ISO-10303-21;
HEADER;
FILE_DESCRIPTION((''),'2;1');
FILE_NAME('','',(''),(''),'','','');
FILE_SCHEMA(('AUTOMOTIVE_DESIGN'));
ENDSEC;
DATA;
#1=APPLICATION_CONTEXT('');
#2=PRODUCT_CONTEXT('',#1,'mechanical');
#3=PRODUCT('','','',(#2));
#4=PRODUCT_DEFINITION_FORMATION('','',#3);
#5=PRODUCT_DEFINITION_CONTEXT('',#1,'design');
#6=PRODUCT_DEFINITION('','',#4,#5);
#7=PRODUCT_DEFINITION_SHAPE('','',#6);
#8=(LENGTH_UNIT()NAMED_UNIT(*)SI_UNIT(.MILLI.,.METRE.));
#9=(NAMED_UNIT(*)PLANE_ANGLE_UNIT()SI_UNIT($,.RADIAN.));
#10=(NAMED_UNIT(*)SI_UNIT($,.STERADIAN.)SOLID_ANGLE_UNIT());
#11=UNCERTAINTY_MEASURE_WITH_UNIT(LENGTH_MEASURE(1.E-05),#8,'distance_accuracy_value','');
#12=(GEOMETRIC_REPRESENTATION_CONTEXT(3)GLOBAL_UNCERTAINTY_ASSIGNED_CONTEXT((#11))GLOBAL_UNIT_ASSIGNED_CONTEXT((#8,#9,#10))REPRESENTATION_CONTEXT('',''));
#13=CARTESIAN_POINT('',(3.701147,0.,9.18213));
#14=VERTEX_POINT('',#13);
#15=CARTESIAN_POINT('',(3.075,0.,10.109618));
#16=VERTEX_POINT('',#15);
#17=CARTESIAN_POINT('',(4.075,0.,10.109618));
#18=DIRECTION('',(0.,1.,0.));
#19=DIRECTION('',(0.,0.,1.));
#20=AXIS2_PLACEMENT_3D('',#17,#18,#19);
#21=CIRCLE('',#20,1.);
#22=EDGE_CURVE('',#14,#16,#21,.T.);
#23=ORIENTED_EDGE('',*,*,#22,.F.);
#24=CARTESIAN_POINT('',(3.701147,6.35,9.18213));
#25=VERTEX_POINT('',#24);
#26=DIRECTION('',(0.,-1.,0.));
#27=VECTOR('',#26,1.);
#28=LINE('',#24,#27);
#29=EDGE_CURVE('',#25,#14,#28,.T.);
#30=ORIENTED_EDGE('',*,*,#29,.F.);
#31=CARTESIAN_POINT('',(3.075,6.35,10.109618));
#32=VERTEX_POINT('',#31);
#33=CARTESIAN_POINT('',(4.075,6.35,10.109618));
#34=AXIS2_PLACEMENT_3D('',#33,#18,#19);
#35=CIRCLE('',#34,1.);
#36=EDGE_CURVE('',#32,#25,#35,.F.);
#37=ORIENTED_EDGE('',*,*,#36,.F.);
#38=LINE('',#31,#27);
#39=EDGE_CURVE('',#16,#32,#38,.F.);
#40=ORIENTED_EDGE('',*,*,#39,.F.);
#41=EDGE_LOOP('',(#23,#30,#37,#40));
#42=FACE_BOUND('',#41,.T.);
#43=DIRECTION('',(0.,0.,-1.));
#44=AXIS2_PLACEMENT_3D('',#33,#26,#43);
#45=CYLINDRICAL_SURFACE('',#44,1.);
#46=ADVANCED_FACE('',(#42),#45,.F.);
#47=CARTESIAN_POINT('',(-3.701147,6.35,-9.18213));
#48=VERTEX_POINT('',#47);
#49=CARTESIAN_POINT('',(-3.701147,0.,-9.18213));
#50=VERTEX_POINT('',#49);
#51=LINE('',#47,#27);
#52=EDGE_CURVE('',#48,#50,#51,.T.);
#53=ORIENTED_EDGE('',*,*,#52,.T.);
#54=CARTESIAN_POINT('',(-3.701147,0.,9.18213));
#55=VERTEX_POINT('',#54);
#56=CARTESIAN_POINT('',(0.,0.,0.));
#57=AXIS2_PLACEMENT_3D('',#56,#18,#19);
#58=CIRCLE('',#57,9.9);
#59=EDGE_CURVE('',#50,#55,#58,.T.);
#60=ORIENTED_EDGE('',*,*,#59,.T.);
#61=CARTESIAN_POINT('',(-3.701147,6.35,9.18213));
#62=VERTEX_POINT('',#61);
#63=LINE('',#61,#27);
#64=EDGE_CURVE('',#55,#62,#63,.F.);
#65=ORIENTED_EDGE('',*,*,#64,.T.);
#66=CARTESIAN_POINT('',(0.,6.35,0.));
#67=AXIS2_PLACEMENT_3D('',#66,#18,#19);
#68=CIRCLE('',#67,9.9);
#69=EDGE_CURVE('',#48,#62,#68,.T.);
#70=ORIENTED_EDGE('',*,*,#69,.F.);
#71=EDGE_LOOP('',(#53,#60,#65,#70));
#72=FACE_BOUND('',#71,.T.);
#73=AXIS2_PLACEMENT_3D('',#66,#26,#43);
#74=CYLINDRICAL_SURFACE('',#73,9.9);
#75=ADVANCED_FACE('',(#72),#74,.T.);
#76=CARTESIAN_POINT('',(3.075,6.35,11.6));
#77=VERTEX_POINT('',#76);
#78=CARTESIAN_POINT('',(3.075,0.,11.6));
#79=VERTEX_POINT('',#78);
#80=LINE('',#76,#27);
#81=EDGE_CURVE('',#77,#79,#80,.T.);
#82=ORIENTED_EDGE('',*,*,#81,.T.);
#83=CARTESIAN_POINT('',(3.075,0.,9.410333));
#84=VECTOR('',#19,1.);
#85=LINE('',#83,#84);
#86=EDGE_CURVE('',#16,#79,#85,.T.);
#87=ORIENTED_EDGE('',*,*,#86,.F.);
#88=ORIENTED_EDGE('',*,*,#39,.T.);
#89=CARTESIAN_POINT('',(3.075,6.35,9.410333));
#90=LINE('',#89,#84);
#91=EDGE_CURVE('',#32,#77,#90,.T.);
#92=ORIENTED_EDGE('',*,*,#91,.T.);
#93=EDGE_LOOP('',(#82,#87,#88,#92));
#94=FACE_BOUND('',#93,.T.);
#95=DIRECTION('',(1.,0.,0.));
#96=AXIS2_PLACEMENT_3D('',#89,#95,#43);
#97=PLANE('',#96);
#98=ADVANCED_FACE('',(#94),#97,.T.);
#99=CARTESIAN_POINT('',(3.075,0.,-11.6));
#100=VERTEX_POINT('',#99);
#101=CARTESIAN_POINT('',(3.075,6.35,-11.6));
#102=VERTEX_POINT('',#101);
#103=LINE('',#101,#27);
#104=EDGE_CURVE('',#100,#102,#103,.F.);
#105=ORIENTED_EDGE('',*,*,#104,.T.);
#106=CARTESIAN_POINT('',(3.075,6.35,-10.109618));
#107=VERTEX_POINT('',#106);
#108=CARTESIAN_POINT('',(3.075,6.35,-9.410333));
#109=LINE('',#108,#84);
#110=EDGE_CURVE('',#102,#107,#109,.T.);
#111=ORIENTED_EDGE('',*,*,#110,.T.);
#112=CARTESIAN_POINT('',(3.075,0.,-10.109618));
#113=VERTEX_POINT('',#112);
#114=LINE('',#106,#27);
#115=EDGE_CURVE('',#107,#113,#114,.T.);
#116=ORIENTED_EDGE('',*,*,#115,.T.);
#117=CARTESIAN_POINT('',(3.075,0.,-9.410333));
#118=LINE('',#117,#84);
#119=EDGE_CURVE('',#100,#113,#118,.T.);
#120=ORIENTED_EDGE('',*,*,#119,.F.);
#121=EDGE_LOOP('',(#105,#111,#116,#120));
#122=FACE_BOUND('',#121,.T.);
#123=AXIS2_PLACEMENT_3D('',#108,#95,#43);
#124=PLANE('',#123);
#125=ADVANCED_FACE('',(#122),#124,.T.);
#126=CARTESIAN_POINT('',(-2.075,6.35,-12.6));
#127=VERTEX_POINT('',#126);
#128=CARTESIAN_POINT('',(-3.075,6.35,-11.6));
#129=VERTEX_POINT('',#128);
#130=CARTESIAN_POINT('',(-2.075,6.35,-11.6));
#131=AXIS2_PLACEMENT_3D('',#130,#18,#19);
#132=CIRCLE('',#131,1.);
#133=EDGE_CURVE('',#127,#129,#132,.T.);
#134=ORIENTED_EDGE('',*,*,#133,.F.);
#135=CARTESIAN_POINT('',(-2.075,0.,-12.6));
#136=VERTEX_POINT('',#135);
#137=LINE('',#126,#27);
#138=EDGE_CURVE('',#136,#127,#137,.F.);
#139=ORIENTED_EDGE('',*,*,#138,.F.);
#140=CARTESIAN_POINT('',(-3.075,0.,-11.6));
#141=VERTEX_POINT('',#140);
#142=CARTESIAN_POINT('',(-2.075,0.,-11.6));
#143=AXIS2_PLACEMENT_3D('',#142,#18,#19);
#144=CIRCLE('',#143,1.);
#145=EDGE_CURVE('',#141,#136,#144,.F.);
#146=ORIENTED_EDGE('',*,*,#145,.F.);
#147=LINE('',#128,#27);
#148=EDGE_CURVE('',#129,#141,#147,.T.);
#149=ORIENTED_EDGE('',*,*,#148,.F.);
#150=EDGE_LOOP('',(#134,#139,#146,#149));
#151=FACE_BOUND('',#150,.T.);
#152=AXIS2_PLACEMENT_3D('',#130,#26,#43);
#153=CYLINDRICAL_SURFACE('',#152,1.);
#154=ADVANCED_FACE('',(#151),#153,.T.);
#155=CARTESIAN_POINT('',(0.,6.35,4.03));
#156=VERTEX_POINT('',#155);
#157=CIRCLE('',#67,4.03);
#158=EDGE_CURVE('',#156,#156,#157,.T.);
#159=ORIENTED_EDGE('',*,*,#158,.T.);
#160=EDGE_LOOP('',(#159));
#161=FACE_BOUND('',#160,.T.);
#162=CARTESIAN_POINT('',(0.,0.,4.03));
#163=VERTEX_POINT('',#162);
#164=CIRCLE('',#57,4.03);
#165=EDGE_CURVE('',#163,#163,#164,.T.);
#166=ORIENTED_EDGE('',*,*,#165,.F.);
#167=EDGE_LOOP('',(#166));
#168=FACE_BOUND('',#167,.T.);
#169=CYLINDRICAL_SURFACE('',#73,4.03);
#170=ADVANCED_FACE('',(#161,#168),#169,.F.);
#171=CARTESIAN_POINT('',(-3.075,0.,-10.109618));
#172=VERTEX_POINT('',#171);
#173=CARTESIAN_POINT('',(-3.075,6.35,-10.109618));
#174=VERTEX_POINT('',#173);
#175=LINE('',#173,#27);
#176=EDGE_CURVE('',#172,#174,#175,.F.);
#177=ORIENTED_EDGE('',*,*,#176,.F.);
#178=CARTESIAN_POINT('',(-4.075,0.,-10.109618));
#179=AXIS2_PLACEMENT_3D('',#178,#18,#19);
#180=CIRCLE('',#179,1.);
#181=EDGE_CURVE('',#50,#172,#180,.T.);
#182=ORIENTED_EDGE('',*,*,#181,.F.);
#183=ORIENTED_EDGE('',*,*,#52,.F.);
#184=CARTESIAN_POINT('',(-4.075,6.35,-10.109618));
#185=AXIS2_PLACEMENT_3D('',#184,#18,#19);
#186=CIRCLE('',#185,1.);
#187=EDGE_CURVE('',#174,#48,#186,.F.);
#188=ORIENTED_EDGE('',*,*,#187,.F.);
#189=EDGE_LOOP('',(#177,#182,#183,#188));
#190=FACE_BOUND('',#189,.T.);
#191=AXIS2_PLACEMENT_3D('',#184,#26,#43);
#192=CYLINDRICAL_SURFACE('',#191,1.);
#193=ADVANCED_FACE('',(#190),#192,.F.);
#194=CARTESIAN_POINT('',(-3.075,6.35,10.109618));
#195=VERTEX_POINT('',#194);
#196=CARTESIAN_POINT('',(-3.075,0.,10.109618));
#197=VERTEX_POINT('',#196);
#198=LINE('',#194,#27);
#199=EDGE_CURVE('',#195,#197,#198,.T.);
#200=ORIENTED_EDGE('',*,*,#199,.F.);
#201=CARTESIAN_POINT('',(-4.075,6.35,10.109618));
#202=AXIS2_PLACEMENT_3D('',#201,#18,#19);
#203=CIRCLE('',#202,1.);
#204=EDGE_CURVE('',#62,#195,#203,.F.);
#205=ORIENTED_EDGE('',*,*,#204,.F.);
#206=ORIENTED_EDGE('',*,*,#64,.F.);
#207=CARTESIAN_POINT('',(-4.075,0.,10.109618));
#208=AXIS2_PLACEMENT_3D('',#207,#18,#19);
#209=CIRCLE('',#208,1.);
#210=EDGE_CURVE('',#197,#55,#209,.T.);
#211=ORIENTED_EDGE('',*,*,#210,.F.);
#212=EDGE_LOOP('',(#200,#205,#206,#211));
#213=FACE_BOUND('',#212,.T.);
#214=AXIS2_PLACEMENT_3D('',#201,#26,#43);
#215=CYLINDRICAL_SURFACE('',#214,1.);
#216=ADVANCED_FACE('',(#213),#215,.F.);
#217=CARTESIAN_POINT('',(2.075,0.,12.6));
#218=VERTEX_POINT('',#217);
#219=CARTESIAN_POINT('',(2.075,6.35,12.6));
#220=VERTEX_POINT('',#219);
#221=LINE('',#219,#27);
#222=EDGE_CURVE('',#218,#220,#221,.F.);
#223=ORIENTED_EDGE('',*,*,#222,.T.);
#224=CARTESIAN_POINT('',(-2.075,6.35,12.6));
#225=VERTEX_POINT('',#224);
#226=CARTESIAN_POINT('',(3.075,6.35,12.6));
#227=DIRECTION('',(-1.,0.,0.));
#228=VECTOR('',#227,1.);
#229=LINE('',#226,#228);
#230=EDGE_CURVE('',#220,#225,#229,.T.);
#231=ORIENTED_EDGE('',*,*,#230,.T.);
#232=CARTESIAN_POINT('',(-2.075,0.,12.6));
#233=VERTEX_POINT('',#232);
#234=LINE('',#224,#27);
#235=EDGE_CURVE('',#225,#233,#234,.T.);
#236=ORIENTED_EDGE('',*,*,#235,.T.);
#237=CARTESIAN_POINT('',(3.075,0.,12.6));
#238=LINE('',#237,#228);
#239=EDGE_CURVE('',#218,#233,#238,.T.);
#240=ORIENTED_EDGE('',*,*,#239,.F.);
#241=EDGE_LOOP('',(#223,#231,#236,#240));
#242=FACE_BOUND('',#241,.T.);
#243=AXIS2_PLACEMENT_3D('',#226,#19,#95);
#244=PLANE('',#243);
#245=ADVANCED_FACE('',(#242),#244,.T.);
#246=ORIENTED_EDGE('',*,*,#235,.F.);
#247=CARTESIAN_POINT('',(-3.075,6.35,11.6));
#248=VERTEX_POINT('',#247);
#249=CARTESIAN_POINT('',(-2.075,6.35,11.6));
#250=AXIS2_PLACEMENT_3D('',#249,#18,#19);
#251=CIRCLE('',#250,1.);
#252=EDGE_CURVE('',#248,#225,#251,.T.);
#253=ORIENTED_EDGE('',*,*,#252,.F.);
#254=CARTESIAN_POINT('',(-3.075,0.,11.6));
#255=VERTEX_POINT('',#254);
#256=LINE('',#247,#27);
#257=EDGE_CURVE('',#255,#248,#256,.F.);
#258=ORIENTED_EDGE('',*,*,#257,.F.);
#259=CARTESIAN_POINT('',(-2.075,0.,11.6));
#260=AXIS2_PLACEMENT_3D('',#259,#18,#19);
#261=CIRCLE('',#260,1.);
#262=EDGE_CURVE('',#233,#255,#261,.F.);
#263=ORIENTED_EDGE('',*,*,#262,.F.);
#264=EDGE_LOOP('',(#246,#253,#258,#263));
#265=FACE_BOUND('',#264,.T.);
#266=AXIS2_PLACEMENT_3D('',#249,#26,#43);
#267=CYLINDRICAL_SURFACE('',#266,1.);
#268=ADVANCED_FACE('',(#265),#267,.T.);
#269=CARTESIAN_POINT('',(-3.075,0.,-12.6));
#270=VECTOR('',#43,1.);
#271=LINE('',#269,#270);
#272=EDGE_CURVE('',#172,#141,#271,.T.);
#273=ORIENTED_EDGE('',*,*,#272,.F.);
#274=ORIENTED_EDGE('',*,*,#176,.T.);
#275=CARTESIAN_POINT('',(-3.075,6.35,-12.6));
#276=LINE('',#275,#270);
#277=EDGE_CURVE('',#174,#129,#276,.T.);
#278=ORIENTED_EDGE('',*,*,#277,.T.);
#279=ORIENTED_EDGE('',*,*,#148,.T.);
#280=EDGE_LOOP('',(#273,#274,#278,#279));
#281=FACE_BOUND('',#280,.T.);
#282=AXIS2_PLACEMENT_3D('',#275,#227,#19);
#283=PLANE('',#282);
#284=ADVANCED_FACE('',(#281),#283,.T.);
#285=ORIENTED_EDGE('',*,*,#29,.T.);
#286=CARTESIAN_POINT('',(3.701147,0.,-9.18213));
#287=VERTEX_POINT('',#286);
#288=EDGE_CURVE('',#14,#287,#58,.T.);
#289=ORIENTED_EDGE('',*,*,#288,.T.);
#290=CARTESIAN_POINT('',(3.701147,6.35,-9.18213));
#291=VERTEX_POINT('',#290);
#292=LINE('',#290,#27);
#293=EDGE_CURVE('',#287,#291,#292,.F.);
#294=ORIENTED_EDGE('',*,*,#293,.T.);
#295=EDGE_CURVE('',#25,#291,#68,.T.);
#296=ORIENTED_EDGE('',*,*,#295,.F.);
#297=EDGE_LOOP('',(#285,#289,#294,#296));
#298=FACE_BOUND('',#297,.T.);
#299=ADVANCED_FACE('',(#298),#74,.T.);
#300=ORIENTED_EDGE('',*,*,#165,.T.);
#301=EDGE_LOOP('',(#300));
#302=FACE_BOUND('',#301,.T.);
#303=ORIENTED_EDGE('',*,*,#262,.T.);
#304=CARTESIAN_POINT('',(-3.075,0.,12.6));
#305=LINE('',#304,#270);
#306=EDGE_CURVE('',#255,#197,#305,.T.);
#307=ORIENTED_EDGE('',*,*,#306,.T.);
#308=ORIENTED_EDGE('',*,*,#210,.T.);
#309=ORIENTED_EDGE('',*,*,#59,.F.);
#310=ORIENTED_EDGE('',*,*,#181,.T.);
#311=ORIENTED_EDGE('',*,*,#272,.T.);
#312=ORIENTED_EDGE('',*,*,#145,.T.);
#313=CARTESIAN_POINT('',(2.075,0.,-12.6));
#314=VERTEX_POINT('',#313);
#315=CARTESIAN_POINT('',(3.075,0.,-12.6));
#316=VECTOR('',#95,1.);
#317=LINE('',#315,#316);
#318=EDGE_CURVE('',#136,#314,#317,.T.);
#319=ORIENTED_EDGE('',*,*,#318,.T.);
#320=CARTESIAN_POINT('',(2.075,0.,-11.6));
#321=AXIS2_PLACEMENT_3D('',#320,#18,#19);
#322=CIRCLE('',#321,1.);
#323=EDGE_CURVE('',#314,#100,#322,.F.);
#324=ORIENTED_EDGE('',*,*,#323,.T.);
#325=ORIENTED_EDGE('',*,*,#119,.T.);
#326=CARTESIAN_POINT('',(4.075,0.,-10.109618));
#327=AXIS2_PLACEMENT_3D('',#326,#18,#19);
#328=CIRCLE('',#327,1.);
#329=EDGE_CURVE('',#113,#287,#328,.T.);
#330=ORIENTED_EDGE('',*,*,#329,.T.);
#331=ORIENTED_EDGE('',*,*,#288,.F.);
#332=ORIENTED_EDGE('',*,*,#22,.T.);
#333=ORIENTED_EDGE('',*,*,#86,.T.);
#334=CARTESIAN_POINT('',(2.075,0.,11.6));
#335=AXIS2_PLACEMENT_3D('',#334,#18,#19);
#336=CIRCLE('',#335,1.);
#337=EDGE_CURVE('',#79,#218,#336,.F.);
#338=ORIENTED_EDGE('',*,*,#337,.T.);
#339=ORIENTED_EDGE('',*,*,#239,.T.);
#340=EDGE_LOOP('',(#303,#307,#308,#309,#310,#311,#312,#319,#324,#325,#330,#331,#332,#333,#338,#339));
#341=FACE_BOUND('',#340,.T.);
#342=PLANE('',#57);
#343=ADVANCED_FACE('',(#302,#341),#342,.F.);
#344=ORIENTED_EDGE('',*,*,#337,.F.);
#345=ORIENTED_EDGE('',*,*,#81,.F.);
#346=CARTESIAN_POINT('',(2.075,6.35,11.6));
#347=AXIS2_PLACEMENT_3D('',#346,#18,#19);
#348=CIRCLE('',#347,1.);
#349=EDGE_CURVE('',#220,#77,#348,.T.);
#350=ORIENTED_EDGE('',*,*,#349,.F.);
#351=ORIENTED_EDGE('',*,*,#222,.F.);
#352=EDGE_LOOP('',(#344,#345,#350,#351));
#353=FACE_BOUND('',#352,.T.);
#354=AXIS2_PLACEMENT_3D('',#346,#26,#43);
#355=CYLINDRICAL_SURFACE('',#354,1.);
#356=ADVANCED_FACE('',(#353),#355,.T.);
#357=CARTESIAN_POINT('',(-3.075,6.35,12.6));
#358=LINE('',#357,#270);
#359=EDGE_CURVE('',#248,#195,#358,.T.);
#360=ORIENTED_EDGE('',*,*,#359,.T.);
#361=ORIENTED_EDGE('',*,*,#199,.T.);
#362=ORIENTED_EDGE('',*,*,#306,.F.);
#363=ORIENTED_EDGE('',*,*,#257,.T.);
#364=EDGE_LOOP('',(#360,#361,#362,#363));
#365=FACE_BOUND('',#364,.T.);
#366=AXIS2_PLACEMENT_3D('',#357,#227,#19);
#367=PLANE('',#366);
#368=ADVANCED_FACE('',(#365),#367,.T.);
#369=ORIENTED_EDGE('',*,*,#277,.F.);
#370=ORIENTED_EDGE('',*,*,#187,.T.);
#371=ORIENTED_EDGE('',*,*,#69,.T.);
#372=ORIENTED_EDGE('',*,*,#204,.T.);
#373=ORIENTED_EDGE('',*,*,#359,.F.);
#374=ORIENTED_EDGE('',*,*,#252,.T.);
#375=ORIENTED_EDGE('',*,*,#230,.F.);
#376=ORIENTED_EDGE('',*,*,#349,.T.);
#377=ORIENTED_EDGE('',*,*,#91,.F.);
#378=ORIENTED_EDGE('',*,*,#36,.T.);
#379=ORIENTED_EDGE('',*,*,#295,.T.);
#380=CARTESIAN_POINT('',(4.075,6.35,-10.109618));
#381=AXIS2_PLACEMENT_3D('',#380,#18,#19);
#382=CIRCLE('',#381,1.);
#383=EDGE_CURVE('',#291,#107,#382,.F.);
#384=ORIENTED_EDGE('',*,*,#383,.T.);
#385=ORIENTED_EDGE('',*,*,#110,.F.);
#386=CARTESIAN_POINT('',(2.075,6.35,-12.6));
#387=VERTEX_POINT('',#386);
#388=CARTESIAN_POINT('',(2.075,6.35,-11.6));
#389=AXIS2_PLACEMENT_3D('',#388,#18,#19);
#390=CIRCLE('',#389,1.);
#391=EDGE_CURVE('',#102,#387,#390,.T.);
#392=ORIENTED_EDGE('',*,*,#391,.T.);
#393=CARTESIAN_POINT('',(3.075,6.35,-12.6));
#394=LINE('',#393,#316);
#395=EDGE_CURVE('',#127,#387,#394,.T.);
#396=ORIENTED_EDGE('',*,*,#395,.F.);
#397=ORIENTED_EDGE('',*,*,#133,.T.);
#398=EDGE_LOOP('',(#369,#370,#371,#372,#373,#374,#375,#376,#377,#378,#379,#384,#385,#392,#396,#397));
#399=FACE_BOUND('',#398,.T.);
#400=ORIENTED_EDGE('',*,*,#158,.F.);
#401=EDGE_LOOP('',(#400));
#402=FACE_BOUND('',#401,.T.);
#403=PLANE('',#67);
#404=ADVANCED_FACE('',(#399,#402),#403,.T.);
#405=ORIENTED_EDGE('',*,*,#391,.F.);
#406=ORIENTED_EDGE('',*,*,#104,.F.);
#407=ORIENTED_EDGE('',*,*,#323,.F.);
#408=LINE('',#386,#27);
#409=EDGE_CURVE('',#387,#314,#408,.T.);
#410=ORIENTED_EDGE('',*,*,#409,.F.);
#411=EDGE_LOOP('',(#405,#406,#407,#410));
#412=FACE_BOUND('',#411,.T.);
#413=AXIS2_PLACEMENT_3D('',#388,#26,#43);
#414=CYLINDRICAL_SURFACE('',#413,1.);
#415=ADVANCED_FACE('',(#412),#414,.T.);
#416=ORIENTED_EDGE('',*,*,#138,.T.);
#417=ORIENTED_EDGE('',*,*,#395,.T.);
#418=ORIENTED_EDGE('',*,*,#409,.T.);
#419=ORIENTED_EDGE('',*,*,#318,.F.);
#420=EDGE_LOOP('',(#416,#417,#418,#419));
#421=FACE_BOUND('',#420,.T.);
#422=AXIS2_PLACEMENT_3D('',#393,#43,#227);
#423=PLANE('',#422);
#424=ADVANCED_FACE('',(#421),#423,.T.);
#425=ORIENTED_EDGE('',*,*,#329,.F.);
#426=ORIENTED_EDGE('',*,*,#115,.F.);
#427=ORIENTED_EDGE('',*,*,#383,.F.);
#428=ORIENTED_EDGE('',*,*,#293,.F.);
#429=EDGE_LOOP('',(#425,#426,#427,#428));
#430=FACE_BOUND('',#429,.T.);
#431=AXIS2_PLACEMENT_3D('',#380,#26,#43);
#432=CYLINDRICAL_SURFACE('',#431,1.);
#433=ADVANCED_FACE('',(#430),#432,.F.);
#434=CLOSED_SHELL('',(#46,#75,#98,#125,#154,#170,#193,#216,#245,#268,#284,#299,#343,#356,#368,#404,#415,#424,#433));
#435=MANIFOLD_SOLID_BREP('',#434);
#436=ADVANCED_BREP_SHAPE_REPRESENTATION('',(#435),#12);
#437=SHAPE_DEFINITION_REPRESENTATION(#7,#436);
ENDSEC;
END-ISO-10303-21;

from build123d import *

# Parameters (mm, degrees)
SKETCH1_R           = 9.9
SKETCH1_R_2         = 4.03
BOSS_EXTRUDE1_DEPTH = 6.35
SKETCH2_W           = 6.15
SKETCH2_H           = 3.189666584
BOSS_EXTRUDE2_DEPTH = 6.35
FILLET2_R           = 1


with BuildPart() as part:
    # Sketch1 → Boss-Extrude1 (new body)
    with BuildSketch(Plane(origin=(0, 0, 0), x_dir=(1, 0, 0), z_dir=(0, 1, 0))):
        Circle(SKETCH1_R)
        Circle(SKETCH1_R_2, mode=Mode.SUBTRACT)
    extrude(amount=BOSS_EXTRUDE1_DEPTH)

    # Sketch2 → Boss-Extrude2 (add, through all)
    with BuildSketch(Plane.XZ):
        with Locations((0, 11.005166708)):
            Rectangle(SKETCH2_W, SKETCH2_H)
        with Locations((0, -11.005166708)):
            Rectangle(SKETCH2_W, SKETCH2_H)
    extrude(amount=-BOSS_EXTRUDE2_DEPTH)

    # Fillet2
    fillet2_edges = [part.edges().sort_by_distance(p)[0] for p in [
        (-3.075, 3.175, 9.410333416),
        (-3.075, 3.175, 12.6),
        (3.075, 3.175, 12.6),
        (3.075, 3.175, 9.410333416),
        (-3.075, 3.175, -12.6),
        (-3.075, 3.175, -9.410333416),
        (3.075, 3.175, -9.410333416),
        (3.075, 3.175, -12.6),
    ]]
    fillet(fillet2_edges, radius=FILLET2_R)


solid = part.part
